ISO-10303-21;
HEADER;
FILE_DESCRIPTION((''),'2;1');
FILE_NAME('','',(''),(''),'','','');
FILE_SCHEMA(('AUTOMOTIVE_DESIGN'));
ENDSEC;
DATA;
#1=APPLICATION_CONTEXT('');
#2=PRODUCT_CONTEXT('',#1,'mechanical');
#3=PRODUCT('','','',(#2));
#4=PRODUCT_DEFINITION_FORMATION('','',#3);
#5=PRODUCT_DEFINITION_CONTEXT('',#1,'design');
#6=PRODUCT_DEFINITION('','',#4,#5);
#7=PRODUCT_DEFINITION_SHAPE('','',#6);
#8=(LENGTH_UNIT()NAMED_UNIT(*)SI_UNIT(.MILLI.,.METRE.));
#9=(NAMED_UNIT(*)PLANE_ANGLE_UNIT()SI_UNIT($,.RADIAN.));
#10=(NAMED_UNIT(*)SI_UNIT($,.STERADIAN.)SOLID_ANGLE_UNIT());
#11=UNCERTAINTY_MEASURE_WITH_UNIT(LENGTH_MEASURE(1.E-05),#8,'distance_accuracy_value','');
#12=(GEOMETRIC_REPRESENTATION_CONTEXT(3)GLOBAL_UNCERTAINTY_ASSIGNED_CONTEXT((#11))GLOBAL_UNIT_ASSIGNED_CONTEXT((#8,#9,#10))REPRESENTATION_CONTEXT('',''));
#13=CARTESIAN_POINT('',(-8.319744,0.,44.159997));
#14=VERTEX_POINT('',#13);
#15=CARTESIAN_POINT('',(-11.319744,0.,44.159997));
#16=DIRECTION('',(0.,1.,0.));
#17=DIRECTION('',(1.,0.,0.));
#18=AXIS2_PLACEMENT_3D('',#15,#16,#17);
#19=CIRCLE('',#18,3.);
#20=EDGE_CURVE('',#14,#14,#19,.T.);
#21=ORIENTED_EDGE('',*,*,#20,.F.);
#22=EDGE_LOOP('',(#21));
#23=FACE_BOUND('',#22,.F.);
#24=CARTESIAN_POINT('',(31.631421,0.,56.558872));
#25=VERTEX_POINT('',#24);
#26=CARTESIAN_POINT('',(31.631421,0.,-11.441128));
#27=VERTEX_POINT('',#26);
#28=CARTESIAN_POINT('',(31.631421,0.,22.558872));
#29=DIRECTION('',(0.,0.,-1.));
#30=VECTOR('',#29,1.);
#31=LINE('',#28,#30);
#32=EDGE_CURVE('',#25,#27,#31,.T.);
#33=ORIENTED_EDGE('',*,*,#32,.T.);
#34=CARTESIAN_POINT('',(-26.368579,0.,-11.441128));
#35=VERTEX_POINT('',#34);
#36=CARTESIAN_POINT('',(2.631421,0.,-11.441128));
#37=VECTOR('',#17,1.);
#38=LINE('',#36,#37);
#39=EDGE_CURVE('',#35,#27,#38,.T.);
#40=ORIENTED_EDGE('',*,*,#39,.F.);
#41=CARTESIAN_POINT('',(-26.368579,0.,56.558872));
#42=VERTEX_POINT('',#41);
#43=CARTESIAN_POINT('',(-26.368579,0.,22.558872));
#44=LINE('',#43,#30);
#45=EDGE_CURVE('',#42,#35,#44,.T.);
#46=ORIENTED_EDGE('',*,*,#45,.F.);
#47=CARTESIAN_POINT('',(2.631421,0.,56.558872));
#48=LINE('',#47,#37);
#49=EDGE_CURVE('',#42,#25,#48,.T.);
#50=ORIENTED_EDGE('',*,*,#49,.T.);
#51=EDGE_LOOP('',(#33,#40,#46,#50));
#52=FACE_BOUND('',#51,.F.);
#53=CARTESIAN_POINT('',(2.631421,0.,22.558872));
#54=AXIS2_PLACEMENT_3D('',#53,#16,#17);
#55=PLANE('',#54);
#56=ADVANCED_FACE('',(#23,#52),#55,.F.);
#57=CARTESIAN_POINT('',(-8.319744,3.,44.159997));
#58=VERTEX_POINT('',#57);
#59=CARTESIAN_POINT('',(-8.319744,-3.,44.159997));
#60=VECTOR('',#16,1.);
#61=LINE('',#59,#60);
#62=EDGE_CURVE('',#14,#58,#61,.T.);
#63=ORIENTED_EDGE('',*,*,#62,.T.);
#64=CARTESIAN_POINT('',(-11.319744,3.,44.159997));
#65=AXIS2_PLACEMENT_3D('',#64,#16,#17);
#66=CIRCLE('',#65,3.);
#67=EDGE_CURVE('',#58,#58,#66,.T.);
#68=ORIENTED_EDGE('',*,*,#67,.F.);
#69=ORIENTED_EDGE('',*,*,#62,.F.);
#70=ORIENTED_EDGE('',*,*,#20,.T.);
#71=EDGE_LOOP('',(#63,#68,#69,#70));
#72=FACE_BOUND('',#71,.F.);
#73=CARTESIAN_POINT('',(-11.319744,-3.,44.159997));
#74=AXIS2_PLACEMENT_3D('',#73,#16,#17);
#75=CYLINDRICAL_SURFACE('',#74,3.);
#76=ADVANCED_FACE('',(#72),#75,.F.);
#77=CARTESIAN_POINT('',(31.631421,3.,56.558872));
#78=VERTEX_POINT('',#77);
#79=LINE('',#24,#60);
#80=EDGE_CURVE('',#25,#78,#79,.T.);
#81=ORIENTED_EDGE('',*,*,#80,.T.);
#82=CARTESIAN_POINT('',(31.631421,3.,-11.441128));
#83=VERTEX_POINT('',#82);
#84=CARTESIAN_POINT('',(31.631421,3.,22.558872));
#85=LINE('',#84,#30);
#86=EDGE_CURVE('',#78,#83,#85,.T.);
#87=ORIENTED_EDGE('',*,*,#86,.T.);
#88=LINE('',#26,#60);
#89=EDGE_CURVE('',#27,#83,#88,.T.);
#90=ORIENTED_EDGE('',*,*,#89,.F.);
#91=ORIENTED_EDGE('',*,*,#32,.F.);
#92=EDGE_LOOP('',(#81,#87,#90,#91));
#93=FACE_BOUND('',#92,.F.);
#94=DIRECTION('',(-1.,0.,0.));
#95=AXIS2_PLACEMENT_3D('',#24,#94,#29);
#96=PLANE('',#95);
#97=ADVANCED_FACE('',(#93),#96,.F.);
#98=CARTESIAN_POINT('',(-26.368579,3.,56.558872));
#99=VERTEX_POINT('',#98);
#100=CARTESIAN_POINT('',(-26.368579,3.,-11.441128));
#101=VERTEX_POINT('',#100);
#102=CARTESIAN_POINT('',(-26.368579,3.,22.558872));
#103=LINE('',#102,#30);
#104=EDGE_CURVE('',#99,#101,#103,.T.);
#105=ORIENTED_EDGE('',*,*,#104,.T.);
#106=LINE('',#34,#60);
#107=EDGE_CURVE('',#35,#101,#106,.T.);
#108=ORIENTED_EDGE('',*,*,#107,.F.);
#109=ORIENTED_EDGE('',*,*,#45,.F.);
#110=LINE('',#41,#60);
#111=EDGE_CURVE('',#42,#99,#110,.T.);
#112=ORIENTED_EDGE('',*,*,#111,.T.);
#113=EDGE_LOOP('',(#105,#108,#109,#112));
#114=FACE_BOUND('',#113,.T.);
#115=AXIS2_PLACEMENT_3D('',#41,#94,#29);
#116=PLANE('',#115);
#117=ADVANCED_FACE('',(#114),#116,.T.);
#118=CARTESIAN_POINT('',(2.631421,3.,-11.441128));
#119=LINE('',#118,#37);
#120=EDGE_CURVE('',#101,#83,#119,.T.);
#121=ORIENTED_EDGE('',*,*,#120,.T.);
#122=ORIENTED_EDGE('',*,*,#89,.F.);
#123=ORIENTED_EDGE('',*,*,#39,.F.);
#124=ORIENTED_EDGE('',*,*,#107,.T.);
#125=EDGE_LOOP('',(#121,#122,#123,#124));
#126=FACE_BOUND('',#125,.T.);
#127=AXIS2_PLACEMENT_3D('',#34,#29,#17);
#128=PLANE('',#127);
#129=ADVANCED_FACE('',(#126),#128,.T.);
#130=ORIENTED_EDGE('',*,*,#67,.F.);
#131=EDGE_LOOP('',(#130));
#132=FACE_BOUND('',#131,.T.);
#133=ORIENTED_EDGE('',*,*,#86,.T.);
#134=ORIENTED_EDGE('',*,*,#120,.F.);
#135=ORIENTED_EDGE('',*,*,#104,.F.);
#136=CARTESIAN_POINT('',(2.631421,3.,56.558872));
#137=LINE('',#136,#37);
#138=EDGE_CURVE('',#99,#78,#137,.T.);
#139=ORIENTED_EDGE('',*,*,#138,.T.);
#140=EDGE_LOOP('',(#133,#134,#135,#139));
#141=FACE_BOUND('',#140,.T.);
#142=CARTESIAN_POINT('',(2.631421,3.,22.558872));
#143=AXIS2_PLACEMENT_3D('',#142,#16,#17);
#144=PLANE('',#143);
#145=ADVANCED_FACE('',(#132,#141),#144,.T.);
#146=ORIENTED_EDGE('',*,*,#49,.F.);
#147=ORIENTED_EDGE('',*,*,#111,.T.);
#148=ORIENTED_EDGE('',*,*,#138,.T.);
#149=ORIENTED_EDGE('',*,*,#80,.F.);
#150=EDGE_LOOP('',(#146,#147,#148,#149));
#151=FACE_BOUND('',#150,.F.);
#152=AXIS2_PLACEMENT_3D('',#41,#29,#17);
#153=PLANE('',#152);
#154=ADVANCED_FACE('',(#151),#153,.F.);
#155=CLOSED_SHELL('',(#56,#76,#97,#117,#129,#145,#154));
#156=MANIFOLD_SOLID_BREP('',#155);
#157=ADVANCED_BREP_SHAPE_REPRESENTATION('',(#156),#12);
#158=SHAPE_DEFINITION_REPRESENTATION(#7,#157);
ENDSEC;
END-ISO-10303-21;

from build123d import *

# Parameters (mm, degrees)
SKETCH1_W                 = 58
SKETCH1_H                 = 68
BOSS_EXTRUDE1_DEPTH       = 3
F_8_0MM_DOWEL_HOLE1_D     = 6
F_8_0MM_DOWEL_HOLE1_DEPTH = 3


with BuildPart() as part:
    # Sketch1 → Boss-Extrude1 (new body)
    with BuildSketch(Plane(origin=(0, 0, 0), x_dir=(1, 0, 0), z_dir=(0, 1, 0))):
        with Locations((2.631421053, -22.558871845)):
            Rectangle(SKETCH1_W, SKETCH1_H)
    extrude(amount=BOSS_EXTRUDE1_DEPTH)

    # Ø8.0mm Dowel Hole1
    with Locations(Plane(origin=(0, 0, 0), x_dir=(-1, 0, 0), z_dir=(0, -1, 0))):
        with Locations((11.319743636, -44.159996598)):
            Hole(F_8_0MM_DOWEL_HOLE1_D / 2, depth=F_8_0MM_DOWEL_HOLE1_DEPTH)


solid = part.part
